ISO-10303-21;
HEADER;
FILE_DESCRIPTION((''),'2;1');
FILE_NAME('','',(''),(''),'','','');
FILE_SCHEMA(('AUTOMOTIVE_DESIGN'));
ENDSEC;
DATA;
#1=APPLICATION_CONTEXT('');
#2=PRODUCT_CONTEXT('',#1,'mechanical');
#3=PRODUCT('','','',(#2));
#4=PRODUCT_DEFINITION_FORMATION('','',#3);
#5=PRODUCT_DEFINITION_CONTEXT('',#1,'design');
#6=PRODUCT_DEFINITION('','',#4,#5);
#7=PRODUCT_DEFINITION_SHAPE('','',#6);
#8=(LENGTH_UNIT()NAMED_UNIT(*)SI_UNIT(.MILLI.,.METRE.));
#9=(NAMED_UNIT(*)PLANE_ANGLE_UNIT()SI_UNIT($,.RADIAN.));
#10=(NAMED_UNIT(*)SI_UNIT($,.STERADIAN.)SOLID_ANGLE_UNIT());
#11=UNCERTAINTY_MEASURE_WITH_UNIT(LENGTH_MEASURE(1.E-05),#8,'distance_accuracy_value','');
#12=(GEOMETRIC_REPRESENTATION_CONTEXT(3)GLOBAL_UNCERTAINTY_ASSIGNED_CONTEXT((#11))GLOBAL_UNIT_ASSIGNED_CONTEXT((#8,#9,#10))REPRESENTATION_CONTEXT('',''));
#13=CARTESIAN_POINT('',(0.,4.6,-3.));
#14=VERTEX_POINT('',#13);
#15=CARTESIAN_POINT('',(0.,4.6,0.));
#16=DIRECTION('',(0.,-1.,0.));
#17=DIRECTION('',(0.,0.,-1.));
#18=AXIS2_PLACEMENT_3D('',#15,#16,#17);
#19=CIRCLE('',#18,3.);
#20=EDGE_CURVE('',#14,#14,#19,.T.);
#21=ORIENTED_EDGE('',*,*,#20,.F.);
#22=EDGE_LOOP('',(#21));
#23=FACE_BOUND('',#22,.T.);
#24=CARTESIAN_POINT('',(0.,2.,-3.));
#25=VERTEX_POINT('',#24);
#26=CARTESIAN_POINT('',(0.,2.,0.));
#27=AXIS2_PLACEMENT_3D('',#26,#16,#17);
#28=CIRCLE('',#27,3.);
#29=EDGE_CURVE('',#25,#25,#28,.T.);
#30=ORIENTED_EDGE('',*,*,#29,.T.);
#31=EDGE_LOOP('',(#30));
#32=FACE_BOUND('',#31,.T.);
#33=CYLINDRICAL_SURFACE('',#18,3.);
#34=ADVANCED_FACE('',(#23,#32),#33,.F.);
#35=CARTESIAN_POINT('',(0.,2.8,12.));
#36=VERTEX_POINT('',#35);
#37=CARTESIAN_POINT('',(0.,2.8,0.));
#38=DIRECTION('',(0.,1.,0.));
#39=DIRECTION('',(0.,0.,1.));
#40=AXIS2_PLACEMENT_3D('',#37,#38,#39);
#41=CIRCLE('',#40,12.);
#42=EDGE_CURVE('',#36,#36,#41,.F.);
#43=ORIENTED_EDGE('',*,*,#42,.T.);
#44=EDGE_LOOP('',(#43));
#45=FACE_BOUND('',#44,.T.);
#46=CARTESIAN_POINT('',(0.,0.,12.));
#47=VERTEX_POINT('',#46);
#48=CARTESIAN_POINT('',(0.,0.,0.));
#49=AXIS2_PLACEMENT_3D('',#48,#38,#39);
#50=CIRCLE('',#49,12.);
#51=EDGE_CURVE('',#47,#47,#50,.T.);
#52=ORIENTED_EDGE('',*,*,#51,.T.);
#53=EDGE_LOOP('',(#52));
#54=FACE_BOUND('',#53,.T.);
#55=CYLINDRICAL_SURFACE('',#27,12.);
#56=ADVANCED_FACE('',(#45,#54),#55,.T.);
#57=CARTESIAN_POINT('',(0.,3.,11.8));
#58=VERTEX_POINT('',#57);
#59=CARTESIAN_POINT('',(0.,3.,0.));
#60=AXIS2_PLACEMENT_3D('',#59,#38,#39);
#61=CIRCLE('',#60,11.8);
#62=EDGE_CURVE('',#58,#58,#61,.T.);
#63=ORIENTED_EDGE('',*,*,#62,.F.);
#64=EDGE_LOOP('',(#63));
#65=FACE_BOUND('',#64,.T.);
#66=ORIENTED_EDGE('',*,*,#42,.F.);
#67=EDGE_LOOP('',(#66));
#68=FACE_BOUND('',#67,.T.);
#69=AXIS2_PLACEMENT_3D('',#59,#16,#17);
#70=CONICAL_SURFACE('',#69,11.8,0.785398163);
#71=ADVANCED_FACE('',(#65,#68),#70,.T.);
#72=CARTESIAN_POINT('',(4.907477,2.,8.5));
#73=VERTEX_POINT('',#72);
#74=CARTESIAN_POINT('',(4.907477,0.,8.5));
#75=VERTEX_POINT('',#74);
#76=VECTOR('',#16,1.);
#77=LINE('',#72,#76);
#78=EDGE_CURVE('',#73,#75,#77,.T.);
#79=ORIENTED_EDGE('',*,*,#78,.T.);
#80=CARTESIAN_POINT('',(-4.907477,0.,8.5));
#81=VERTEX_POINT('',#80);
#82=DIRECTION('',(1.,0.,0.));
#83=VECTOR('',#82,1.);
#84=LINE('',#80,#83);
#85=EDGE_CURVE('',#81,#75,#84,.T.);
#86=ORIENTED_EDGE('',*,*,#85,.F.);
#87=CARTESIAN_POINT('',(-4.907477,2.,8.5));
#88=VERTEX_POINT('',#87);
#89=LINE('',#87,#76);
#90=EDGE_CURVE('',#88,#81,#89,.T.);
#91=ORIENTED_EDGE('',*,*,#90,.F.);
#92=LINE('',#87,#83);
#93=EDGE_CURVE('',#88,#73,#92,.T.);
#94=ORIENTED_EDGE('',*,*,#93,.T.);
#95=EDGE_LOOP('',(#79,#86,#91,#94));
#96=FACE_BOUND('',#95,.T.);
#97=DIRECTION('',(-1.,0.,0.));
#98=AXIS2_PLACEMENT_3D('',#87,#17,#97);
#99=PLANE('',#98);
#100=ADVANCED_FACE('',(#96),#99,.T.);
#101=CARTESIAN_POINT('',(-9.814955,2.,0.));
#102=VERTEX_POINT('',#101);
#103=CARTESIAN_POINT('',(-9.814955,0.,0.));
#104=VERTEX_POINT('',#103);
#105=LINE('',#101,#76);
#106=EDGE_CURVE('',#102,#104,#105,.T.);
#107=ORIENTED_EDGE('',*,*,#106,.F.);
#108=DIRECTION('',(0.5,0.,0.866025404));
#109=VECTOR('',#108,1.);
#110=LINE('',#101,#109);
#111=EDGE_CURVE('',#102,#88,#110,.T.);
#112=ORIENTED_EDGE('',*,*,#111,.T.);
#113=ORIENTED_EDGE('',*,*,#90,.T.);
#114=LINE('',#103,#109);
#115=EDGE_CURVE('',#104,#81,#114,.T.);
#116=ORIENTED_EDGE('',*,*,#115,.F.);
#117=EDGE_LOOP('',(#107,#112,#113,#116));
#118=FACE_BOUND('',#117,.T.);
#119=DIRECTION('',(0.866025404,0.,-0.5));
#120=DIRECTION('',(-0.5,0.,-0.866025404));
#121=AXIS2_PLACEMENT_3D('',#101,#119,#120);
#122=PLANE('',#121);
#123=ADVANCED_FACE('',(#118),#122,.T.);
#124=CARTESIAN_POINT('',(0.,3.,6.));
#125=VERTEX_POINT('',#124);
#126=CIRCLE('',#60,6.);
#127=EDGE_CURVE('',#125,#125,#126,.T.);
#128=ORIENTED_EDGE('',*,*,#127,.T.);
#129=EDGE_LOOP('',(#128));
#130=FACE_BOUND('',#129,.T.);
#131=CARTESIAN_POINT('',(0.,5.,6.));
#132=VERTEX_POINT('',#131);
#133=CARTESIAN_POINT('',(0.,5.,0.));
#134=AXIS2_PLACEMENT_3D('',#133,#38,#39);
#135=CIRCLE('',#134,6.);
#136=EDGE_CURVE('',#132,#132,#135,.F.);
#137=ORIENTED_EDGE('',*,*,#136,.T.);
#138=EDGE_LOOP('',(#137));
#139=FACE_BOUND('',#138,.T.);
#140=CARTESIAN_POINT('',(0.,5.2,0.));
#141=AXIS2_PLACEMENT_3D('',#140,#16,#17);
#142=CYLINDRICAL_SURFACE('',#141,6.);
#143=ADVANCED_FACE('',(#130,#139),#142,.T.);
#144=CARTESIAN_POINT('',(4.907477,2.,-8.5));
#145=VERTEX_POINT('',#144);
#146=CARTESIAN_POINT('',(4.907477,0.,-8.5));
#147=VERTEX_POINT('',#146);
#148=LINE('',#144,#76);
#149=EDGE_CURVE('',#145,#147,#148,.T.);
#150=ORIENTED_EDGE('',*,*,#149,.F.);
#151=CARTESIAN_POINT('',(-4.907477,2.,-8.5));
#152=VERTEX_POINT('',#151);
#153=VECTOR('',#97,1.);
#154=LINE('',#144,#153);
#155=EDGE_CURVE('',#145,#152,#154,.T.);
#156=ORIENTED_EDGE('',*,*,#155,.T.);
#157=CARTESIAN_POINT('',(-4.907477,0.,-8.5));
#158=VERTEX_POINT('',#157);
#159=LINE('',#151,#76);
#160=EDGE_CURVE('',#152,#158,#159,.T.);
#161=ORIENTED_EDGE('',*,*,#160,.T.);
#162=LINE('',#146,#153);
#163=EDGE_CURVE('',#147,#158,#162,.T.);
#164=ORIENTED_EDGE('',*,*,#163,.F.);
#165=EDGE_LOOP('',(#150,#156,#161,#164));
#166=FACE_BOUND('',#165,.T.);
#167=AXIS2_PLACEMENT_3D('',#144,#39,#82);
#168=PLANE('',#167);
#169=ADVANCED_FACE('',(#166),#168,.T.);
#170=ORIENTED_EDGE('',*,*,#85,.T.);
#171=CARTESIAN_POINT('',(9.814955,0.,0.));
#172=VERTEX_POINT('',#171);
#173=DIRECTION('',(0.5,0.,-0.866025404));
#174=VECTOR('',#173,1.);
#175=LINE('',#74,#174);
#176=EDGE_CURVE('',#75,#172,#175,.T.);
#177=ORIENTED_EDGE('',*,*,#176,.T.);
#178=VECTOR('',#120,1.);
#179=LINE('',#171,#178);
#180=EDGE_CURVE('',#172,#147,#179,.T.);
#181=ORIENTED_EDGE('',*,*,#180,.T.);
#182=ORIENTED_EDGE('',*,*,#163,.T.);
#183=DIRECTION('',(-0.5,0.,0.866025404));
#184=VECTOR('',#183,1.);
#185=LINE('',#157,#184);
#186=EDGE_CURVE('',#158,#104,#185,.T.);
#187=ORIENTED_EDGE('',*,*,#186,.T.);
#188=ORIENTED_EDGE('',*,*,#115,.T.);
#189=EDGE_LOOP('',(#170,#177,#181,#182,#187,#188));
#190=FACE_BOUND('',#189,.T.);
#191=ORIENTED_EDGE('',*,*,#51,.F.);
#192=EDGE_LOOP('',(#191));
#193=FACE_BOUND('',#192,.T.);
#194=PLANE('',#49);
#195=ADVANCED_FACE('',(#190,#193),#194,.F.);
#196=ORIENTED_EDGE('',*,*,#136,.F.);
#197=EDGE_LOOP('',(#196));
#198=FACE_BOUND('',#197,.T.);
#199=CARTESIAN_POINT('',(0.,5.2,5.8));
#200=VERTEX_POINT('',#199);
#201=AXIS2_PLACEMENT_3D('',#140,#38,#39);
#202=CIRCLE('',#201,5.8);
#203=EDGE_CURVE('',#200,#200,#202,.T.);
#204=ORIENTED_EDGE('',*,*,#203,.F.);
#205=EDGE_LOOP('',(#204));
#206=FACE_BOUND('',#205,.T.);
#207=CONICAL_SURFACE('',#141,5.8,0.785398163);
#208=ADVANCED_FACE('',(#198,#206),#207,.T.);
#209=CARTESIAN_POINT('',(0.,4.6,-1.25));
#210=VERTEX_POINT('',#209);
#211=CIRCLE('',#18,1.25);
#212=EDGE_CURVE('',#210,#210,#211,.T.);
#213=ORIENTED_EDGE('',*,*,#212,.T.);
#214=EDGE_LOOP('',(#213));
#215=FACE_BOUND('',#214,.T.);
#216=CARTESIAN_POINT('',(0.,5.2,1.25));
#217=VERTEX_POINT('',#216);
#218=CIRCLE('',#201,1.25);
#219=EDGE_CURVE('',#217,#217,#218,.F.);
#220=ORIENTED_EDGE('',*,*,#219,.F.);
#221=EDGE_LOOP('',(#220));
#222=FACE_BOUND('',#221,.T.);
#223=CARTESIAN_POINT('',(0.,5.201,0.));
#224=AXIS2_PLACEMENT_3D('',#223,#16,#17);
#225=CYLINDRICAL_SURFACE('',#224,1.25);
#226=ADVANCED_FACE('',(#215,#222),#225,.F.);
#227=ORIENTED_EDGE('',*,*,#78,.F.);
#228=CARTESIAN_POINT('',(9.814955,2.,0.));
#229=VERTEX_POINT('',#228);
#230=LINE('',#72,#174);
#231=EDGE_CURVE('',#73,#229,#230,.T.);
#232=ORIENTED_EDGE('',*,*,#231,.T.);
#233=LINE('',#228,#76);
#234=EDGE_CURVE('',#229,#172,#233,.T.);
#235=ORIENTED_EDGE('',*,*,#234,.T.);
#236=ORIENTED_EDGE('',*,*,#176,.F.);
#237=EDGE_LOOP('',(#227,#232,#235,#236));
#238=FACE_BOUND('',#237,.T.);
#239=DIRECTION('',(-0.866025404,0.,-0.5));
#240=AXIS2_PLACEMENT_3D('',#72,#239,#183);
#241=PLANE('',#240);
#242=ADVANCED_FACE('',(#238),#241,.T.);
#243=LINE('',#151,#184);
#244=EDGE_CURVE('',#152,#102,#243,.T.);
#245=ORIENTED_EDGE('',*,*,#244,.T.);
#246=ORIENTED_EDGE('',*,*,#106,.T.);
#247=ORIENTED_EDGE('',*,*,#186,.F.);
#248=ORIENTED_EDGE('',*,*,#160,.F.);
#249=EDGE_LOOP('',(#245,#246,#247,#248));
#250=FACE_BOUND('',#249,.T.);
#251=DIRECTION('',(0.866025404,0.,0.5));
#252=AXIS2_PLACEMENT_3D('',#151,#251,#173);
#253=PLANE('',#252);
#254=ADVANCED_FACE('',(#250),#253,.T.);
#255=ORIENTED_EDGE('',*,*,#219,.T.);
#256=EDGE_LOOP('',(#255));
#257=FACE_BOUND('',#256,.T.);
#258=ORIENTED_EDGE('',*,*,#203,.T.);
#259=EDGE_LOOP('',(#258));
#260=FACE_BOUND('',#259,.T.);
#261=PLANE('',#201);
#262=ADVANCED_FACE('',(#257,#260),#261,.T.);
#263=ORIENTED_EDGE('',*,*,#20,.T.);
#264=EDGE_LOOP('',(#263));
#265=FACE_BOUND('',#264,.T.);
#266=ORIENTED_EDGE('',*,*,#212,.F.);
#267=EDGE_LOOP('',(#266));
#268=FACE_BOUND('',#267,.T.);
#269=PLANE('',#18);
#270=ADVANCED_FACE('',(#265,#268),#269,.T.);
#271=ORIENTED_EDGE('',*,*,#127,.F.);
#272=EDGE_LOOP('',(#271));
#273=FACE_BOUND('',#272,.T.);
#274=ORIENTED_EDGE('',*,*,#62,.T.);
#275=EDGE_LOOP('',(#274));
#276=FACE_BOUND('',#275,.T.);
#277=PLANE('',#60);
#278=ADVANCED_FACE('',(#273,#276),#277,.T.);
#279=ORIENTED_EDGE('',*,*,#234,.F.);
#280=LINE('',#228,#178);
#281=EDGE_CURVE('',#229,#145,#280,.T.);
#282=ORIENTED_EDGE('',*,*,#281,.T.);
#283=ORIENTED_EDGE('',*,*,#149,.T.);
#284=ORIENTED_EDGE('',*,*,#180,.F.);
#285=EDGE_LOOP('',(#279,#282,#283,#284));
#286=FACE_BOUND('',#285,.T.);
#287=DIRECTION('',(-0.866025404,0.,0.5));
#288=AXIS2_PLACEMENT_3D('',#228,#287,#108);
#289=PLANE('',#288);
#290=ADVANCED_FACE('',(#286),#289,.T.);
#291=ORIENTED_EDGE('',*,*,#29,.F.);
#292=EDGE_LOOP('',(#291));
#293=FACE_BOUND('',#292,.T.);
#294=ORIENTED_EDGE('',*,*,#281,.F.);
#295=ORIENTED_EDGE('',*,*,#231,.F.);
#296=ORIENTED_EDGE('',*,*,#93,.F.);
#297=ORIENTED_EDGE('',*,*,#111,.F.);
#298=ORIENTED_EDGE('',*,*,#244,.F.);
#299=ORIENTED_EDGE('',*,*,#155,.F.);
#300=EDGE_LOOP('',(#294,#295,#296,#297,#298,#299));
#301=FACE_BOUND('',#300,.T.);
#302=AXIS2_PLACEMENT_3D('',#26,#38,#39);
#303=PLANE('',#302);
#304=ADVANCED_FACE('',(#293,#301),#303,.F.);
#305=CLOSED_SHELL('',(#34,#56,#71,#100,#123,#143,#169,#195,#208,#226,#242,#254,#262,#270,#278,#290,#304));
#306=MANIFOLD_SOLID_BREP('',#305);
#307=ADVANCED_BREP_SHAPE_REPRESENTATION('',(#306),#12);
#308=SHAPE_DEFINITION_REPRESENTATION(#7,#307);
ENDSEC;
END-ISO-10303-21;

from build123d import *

# Parameters (mm, degrees)
SKETCH1_R           = 12
BOSS_EXTRUDE1_DEPTH = 2
SKETCH2_R           = 12
BOSS_EXTRUDE2_DEPTH = 1
SKETCH3_R           = 6
BOSS_EXTRUDE3_DEPTH = 2.2
SKETCH4_R           = 3
CUT_EXTRUDE1_DEPTH  = 2.6
CUT_EXTRUDE2_REACH  = 19.583
SKETCH5_R           = 1.25
CHAMFER1_SIZE       = 0.2


with BuildPart() as part:
    # Sketch1 → Boss-Extrude1 (new body)
    with BuildSketch(Plane(origin=(0, 0, 0), x_dir=(1, 0, 0), z_dir=(0, 1, 0))):
        with Locations(Location((0, 0, 0), (0, 0, 270))):
            Circle(SKETCH1_R)
        Polygon((-4.907477288, -8.5), (4.907477288, -8.5), (9.814954576, 0), (4.907477288, 8.5), (-4.907477288, 8.5), (-9.814954576, 0), align=None, mode=Mode.SUBTRACT)
    extrude(amount=BOSS_EXTRUDE1_DEPTH)

    # Sketch2 → Boss-Extrude2 (add)
    with BuildSketch(Plane(origin=(0, 2, 0), x_dir=(1, 0, 0), z_dir=(0, 1, 0))):
        with Locations(Location((0, 0, 0), (0, 0, 270))):
            Circle(SKETCH2_R)
    extrude(amount=BOSS_EXTRUDE2_DEPTH)

    # Sketch3 → Boss-Extrude3 (add)
    with BuildSketch(Plane(origin=(0, 3, 0), x_dir=(1, 0, 0), z_dir=(0, 1, 0))):
        with Locations(Location((0, 0, 0), (0, 0, 270))):
            Circle(SKETCH3_R)
    extrude(amount=BOSS_EXTRUDE3_DEPTH)

    # Sketch4 → Cut-Extrude1 (cut)
    with BuildSketch(Plane.XZ.offset(-2)):
        with Locations(Location((0, 0, 0), (0, 0, 270))):
            Circle(SKETCH4_R)
    extrude(amount=-CUT_EXTRUDE1_DEPTH, mode=Mode.SUBTRACT)

    # Sketch5 → Cut-Extrude2 (cut, up to next)
    with BuildSketch(Plane.XZ.offset(-4.6), mode=Mode.PRIVATE) as cut_extrude2_sk1:
        with Locations(Location((0, 0, 0), (0, 0, 270))):
            Circle(SKETCH5_R)
    cut_extrude2_tool1 = extrude(cut_extrude2_sk1.sketch, amount=-CUT_EXTRUDE2_REACH, mode=Mode.PRIVATE) & part.part
    add(cut_extrude2_tool1.solids().sort_by_distance((0, 4.6, 0))[0], mode=Mode.SUBTRACT)

    # Chamfer1
    chamfer1_edges = [part.edges().sort_by_distance(p)[0] for p in [
        (0, 3, -12),
        (0, 5.2, -6),
    ]]
    chamfer(chamfer1_edges, length=CHAMFER1_SIZE)


solid = part.part
